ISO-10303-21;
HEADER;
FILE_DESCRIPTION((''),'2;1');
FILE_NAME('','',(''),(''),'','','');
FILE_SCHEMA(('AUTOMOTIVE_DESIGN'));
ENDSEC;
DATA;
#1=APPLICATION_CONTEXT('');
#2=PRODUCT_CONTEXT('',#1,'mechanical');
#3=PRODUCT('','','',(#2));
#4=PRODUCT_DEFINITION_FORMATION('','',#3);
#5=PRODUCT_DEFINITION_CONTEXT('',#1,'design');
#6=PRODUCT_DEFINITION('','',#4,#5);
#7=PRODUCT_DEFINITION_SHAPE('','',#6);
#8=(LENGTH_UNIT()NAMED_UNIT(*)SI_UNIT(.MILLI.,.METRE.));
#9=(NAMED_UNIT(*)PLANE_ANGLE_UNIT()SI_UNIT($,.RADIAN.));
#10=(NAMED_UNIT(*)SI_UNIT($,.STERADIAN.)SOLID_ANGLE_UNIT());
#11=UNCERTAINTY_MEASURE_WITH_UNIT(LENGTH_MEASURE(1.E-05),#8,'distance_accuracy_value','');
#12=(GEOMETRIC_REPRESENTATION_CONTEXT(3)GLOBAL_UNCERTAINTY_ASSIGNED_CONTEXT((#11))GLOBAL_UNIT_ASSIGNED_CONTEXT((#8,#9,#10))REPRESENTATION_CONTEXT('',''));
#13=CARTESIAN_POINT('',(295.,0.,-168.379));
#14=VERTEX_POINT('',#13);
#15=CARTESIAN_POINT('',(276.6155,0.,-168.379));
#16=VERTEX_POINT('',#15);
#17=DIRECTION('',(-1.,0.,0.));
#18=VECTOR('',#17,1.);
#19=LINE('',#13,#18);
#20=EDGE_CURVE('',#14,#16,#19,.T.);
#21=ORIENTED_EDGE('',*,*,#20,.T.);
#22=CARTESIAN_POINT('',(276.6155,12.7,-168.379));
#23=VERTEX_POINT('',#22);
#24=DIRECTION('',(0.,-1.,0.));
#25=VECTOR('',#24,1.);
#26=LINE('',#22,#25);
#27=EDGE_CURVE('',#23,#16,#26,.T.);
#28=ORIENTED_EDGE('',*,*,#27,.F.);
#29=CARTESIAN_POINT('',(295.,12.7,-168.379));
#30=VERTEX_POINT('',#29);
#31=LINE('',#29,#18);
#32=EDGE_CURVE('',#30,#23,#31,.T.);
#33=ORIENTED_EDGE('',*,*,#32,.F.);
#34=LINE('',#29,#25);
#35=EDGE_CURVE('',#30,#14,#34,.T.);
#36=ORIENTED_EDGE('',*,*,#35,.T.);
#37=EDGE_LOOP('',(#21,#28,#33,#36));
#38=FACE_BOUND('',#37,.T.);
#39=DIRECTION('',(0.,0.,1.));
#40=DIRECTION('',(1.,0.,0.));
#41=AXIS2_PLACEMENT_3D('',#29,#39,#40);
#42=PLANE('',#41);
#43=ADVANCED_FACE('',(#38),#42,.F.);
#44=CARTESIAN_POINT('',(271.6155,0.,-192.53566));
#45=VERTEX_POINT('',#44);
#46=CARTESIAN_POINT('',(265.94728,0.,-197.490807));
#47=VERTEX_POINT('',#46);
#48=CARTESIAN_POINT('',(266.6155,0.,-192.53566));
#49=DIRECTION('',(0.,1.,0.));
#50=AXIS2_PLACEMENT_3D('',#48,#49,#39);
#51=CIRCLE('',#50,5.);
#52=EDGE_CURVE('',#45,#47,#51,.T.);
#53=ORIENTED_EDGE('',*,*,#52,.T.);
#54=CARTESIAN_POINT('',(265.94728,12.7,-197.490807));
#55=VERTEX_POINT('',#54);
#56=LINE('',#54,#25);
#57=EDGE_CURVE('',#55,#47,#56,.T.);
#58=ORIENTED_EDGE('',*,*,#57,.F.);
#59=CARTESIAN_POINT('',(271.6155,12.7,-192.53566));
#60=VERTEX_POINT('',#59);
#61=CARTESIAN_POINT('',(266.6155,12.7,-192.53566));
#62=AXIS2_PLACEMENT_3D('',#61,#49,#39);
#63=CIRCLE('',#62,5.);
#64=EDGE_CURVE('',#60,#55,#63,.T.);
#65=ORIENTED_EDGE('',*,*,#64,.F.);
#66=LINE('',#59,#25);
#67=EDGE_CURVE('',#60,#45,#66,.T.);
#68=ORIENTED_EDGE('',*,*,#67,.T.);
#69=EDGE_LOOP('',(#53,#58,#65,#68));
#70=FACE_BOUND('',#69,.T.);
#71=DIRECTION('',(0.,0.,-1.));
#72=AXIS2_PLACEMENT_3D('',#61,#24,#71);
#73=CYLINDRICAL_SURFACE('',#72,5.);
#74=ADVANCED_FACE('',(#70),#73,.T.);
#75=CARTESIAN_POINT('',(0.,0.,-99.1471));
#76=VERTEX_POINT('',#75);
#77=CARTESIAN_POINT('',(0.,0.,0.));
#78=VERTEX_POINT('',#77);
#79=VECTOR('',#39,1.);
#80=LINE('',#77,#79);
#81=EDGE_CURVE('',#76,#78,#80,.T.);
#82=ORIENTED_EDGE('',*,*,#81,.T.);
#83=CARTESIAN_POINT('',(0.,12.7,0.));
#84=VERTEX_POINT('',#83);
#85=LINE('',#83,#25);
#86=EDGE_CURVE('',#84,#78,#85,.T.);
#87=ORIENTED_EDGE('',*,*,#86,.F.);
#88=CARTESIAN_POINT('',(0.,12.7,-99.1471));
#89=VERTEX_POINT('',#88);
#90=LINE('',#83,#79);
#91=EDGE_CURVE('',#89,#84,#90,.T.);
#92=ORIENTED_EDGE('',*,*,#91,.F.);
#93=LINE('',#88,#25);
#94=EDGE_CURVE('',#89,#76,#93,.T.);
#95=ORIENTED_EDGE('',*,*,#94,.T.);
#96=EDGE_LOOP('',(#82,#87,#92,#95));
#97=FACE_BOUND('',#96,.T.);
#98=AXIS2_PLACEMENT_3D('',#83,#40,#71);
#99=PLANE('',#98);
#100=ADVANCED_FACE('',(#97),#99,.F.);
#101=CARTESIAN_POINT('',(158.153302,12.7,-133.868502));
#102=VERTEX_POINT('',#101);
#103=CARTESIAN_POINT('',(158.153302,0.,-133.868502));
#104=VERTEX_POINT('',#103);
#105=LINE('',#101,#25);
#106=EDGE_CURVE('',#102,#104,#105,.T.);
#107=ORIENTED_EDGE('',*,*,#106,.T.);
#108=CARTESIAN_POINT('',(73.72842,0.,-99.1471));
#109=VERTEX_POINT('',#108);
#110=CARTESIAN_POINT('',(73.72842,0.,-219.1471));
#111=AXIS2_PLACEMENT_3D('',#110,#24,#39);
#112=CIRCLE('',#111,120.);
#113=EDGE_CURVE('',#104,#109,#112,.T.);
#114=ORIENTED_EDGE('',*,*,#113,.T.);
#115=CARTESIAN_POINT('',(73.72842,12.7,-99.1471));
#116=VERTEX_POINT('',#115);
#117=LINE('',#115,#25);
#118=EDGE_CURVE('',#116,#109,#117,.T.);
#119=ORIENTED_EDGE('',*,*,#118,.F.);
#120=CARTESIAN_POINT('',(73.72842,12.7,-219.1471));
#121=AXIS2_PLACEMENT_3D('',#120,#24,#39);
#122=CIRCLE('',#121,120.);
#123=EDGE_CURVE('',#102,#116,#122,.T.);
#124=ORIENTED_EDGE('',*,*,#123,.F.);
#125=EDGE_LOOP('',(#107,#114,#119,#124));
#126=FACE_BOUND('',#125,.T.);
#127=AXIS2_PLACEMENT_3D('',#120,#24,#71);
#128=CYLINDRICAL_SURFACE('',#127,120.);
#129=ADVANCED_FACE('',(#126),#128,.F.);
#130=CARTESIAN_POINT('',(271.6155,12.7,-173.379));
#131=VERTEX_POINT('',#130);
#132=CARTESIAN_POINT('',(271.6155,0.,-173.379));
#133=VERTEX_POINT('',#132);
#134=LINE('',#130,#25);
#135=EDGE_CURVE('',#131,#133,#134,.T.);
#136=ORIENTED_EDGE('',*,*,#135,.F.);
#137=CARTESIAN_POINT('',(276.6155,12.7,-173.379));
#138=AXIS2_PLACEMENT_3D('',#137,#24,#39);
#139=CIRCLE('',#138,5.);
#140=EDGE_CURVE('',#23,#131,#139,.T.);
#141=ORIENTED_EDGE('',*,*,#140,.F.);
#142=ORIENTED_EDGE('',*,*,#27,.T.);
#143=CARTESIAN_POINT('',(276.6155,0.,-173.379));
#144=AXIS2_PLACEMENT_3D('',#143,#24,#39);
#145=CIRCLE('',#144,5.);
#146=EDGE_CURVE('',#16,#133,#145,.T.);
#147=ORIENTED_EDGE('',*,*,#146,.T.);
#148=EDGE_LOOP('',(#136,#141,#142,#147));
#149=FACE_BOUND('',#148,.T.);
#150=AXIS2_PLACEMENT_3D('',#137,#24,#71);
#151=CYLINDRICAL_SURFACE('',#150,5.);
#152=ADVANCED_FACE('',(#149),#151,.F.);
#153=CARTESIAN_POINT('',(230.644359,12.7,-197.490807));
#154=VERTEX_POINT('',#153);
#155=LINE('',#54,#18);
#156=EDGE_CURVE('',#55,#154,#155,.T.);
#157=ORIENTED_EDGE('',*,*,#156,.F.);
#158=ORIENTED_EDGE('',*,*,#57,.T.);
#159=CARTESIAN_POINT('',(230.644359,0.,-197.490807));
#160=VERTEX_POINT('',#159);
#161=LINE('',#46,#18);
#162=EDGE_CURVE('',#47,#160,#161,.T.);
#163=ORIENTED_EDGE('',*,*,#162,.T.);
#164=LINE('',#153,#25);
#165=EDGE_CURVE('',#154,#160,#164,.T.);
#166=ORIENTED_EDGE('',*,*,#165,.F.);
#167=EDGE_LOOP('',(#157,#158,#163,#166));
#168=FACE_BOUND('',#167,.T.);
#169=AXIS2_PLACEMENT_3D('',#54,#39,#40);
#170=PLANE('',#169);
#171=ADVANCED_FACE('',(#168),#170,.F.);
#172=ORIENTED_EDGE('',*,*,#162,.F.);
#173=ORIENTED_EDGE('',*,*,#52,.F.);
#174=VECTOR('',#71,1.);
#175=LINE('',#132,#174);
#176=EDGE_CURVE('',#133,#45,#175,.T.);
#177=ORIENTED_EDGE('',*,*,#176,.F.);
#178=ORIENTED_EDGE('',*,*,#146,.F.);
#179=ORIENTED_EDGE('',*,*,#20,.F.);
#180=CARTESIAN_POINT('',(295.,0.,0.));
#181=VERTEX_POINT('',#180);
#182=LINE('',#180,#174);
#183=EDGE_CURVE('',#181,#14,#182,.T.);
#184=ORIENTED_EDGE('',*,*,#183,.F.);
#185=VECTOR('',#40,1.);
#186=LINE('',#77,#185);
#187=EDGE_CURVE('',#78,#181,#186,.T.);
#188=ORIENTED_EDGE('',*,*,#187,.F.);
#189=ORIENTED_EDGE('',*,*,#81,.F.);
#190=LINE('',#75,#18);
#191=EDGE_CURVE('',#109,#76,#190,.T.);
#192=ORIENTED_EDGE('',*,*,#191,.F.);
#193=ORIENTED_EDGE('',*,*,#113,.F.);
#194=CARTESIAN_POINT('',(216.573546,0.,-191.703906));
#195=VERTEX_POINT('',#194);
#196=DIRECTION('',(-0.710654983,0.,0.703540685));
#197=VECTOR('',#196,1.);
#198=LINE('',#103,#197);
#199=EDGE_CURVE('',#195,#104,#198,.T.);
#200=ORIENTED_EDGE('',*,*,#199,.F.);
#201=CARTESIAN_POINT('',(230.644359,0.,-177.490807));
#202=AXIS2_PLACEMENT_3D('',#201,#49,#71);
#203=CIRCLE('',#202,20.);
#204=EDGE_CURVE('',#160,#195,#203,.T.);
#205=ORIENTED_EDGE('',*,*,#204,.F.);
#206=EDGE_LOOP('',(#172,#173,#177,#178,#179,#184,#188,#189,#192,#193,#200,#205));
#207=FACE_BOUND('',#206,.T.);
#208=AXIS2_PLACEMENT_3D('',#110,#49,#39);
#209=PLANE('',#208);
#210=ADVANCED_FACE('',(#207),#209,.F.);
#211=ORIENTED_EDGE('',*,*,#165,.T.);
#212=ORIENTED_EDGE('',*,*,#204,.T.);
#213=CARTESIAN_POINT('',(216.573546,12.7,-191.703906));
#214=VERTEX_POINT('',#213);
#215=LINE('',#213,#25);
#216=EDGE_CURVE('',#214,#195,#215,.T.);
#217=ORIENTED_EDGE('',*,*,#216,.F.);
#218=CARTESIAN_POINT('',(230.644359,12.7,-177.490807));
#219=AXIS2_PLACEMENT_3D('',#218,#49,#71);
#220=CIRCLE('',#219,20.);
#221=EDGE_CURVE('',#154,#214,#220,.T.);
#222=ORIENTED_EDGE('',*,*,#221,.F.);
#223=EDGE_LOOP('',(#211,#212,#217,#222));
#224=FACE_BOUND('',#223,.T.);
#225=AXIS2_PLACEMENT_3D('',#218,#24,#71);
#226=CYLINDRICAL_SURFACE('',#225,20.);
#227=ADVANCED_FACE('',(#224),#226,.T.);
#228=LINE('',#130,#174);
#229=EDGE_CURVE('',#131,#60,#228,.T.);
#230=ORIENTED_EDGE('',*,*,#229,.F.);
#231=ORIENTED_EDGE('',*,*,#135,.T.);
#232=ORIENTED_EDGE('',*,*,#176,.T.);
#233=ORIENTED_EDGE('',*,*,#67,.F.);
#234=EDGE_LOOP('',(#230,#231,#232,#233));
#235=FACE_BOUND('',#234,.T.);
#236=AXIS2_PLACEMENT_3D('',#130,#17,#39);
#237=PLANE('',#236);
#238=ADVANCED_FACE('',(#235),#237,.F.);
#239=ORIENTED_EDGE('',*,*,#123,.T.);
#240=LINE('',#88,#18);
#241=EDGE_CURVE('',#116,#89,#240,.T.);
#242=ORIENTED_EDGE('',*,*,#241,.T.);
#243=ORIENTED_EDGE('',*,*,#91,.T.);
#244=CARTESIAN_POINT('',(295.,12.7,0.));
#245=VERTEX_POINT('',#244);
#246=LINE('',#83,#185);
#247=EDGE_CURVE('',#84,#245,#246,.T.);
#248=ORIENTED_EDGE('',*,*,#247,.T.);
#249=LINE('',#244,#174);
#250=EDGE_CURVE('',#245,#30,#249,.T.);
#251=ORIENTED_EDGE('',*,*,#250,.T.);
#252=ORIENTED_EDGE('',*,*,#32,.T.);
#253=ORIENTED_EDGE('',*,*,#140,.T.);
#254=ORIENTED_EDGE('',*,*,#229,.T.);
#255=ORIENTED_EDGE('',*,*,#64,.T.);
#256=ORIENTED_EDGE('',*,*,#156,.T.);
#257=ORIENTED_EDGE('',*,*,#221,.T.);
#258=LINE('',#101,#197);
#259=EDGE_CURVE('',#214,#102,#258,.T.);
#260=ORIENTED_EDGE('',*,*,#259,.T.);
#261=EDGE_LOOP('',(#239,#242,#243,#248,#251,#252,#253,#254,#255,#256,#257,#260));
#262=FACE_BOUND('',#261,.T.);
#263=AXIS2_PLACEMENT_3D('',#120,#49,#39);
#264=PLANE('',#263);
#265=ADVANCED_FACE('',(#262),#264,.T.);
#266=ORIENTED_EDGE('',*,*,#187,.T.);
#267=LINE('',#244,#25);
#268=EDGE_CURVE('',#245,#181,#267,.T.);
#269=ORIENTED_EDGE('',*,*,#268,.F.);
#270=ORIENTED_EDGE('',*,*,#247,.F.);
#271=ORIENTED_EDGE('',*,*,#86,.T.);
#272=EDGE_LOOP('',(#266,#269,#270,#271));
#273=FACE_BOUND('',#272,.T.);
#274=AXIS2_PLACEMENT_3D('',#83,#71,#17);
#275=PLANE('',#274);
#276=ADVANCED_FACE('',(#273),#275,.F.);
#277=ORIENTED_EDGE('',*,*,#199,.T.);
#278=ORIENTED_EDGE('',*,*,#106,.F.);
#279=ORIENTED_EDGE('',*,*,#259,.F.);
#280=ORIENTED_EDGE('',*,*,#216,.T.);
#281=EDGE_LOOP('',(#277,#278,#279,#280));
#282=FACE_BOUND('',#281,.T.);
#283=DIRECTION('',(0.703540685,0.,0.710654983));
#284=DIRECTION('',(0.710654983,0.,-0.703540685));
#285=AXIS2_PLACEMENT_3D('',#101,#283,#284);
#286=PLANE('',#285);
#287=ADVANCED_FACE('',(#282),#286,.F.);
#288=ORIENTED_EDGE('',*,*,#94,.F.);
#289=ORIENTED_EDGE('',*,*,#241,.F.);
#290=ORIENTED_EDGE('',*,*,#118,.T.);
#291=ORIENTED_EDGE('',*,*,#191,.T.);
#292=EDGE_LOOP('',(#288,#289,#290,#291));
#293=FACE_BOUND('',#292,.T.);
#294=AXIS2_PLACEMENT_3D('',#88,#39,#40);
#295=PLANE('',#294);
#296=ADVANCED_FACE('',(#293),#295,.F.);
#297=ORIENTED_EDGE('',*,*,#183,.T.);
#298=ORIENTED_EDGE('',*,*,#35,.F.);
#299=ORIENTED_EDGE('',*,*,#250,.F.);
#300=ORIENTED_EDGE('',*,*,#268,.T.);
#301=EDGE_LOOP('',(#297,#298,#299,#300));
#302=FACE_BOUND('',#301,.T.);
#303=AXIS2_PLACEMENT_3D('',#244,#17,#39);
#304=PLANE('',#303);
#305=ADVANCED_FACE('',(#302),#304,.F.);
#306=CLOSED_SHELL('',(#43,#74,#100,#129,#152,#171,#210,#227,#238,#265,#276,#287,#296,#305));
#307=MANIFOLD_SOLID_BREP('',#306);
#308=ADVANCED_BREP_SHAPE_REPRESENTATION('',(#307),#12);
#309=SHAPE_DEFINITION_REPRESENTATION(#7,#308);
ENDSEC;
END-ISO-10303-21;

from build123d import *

# Parameters (mm, degrees)
BOSS_EXTRUDE1_DEPTH = 12.7


with BuildPart() as part:
    # Sketch1 → Boss-Extrude1 (new body)
    with BuildSketch(Plane(origin=(0, 0, 0), x_dir=(1, 0, 0), z_dir=(0, 1, 0))):
        with BuildLine():
            Line((0, 0), (295, 0))
            Line((295, 0), (295, 168.379))
            Line((295, 168.379), (276.6155, 168.379))
            ThreePointArc((276.6155, 168.379), (273.079966094, 169.843466094), (271.6155, 173.379))
            Line((271.6155, 173.379), (271.6155, 192.53565981))
            ThreePointArc((271.6155, 192.53565981), (269.906312848, 196.300039015), (265.947279681, 197.490806791))
            Line((265.947279681, 197.490806791), (230.644359426, 197.490806791))
            ThreePointArc((230.644359426, 197.490806791), (223.037191533, 195.987590204), (216.573545734, 191.703906455))
            Line((216.573545734, 191.703906455), (158.153301868, 133.86850202))
            ThreePointArc((158.153301868, 133.86850202), (119.371427078, 108.166399521), (73.728419715, 99.1471))
            Line((73.728419715, 99.1471), (0, 99.1471))
            Line((0, 99.1471), (0, 0))
        make_face()
    extrude(amount=BOSS_EXTRUDE1_DEPTH)


solid = part.part
